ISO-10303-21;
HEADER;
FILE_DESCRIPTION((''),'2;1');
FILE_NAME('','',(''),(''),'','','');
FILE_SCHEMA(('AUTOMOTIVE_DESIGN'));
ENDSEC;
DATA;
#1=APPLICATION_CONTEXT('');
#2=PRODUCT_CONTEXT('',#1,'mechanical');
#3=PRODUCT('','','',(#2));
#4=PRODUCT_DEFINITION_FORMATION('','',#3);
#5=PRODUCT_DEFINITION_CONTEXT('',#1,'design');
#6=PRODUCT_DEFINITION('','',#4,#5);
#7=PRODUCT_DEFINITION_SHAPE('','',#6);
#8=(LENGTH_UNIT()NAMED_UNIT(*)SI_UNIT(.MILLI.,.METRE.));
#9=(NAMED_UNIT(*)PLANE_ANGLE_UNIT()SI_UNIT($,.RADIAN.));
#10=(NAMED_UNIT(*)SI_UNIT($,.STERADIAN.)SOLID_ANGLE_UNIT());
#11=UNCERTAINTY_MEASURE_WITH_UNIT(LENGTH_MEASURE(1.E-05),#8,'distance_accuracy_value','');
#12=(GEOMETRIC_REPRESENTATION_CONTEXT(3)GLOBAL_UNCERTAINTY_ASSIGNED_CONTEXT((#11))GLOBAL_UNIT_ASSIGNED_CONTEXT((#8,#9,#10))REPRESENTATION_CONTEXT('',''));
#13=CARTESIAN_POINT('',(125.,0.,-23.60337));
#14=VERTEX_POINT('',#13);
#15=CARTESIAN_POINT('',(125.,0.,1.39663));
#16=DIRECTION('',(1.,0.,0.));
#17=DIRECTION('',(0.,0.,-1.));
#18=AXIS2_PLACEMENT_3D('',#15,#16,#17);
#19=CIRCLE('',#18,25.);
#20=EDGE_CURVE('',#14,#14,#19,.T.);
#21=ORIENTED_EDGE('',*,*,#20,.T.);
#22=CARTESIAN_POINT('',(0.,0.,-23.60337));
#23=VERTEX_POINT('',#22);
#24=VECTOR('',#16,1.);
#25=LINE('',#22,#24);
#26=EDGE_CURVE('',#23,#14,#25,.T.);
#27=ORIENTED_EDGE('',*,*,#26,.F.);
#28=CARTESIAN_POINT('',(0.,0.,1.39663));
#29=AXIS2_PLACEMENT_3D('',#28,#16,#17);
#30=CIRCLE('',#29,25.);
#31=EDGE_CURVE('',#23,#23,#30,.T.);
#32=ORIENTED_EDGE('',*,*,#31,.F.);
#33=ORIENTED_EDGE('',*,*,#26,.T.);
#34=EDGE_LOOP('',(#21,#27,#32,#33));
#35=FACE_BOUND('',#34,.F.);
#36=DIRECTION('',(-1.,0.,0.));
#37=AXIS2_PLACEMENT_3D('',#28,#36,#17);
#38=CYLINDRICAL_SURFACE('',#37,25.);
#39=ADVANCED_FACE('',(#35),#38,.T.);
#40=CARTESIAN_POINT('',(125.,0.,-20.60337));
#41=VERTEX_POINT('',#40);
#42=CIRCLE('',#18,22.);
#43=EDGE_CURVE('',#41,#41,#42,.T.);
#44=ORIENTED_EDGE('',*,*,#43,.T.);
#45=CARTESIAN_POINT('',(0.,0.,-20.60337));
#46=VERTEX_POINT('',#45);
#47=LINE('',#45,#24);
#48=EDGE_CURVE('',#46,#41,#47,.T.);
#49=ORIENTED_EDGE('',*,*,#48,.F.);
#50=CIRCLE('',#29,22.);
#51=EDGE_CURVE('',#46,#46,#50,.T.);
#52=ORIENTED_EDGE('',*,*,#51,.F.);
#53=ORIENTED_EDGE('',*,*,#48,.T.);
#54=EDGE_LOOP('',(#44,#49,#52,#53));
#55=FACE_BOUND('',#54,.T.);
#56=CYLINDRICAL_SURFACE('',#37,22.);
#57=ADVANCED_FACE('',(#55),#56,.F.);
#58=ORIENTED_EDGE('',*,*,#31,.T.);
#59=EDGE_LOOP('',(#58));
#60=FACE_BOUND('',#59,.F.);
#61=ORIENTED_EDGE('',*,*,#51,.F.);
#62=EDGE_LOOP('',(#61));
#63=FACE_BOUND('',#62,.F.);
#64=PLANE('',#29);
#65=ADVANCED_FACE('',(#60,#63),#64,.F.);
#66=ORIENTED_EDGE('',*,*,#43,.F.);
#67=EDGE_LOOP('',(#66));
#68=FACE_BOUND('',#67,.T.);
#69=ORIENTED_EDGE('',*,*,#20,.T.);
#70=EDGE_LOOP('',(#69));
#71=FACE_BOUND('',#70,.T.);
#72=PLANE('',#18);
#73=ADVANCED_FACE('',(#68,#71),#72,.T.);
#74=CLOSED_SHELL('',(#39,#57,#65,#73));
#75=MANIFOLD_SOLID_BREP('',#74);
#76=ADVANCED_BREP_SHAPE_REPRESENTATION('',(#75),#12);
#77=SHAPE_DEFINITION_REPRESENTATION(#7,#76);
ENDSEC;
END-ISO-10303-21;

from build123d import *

# Parameters (mm, degrees)
SKETCH_1_R      = 25
SKETCH_1_R_2    = 22
EXTRUDE_1_DEPTH = 125


with BuildPart() as part:
    # 草圖1 → 填料-伸長1 (new body)
    with BuildSketch(Plane(origin=(0, 0, 0), x_dir=(0, 0, -1), z_dir=(1, 0, 0))):
        with Locations((-1.396629742, 0)):
            Circle(SKETCH_1_R)
        with Locations((-1.396629742, 0)):
            Circle(SKETCH_1_R_2, mode=Mode.SUBTRACT)
    extrude(amount=EXTRUDE_1_DEPTH)


solid = part.part
